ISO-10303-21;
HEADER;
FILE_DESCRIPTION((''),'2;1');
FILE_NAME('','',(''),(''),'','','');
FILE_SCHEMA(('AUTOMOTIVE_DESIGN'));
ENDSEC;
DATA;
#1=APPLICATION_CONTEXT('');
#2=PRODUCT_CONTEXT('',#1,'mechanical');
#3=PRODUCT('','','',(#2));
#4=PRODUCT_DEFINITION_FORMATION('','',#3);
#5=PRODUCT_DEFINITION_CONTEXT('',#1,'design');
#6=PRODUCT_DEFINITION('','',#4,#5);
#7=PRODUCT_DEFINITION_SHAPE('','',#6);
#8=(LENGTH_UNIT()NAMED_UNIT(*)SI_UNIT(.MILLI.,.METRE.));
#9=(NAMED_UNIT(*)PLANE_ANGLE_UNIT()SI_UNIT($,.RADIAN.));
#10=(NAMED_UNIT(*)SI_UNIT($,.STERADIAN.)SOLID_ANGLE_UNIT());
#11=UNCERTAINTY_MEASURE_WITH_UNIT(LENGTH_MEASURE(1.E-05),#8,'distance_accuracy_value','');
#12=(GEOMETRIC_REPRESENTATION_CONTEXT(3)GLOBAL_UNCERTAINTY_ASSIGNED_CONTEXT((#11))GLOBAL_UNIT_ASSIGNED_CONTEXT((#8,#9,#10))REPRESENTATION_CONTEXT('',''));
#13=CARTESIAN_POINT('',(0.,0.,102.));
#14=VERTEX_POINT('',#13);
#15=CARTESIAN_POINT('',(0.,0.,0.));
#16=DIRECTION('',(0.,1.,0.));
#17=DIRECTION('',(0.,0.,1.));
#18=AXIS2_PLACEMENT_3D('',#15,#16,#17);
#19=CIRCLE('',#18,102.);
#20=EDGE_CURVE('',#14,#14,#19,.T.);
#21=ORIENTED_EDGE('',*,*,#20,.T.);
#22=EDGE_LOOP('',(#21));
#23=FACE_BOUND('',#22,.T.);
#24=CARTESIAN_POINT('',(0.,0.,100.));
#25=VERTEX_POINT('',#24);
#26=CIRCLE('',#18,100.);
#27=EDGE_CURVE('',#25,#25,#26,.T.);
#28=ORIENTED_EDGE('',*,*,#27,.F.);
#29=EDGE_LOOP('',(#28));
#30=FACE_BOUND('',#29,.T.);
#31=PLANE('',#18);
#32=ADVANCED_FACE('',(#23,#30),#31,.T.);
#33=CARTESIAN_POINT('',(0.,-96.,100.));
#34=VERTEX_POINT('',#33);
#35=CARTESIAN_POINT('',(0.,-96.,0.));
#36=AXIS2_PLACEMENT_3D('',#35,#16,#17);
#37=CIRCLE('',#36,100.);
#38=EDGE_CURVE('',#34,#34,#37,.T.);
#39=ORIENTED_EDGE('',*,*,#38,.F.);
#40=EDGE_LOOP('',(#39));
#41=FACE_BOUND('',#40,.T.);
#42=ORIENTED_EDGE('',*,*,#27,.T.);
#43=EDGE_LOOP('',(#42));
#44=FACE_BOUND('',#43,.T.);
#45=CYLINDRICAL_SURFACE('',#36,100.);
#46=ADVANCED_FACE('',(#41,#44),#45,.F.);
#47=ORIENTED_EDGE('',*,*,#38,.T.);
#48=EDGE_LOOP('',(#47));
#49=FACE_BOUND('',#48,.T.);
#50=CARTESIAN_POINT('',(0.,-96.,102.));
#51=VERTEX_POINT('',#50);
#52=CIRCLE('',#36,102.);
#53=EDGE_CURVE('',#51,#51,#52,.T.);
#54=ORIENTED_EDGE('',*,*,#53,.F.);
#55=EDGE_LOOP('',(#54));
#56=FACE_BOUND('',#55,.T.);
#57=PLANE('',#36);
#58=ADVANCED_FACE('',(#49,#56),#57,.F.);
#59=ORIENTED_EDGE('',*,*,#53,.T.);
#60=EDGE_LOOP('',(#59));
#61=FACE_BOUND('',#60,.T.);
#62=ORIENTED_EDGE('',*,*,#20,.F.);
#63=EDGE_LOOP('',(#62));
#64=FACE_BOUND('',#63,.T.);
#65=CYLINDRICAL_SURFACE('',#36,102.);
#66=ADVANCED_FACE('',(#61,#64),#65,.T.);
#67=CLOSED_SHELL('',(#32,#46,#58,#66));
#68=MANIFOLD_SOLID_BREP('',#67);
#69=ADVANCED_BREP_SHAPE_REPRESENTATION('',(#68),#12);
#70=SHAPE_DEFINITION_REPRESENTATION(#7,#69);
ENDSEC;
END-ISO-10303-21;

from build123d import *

# Parameters (mm, degrees)
SKETCH_1_R      = 102
SKETCH_1_R_2    = 100
EXTRUDE_1_DEPTH = 96


with BuildPart() as part:
    # Эскиз1 → Бобышка-Вытянуть1 (new body)
    with BuildSketch(Plane(origin=(0, 0, 0), x_dir=(1, 0, 0), z_dir=(0, 1, 0))):
        with Locations(Location((0, 0, 0), (0, 0, 270))):
            Circle(SKETCH_1_R)
        with Locations(Location((0, 0, 0), (0, 0, 270))):
            Circle(SKETCH_1_R_2, mode=Mode.SUBTRACT)
    extrude(amount=-EXTRUDE_1_DEPTH)


solid = part.part
